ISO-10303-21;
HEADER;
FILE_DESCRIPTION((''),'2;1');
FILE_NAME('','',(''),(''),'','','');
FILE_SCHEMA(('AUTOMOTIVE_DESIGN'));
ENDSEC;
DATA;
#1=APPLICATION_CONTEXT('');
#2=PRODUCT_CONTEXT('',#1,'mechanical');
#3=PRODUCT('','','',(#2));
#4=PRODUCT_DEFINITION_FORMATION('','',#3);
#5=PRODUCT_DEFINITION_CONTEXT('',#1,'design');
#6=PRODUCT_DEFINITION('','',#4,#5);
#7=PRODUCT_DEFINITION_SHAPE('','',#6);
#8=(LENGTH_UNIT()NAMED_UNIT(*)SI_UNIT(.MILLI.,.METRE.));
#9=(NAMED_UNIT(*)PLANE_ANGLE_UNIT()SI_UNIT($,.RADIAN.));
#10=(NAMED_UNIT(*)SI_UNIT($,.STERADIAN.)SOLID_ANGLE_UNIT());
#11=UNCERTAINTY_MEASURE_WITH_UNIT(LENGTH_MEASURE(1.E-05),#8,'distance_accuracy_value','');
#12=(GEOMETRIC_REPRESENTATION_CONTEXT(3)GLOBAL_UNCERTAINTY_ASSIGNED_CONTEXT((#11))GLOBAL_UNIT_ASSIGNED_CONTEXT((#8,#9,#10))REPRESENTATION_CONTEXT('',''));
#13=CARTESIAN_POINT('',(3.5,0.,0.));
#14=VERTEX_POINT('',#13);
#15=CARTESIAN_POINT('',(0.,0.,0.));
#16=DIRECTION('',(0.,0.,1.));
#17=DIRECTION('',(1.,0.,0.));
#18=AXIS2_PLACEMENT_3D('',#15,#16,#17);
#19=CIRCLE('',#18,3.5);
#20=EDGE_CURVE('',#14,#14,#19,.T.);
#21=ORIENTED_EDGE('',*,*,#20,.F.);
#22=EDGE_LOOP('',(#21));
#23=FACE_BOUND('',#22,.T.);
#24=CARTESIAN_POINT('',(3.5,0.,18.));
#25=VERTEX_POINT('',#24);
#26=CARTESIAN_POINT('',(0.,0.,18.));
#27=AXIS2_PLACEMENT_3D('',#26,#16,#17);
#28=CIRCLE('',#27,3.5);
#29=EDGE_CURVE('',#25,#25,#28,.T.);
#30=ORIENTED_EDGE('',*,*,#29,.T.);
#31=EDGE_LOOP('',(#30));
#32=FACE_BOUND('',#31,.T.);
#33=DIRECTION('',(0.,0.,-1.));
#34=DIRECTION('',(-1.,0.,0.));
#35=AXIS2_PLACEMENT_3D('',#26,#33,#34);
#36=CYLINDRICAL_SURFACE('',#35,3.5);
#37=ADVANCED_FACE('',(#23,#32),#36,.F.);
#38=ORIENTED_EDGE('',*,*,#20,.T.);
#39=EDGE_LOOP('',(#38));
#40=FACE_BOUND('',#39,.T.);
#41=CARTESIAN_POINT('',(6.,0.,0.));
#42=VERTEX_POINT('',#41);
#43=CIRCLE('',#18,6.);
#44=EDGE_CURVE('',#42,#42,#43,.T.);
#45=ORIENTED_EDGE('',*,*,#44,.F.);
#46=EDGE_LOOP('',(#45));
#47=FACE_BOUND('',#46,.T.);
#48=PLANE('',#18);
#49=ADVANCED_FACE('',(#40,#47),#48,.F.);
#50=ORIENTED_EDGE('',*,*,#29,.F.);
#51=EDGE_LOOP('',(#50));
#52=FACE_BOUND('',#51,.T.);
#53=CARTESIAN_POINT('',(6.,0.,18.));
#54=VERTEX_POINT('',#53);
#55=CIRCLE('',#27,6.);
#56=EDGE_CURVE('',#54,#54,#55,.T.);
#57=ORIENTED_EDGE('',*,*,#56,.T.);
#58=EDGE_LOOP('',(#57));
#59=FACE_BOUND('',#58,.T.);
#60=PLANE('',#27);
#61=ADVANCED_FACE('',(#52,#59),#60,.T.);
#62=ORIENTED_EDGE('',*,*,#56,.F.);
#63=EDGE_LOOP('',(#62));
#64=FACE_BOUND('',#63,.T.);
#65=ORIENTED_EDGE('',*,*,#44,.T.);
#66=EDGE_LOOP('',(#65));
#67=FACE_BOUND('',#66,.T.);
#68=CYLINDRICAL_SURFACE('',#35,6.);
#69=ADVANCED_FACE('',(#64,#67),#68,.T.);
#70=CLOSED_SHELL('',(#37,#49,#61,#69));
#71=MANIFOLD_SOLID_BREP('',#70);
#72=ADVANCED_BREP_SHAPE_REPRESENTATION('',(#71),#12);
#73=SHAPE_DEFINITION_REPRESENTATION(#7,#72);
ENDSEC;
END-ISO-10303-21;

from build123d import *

# Parameters (mm, degrees)
SKETCH_1_R      = 6
SKETCH_1_R_2    = 3.5
EXTRUDE_1_DEPTH = 18


with BuildPart() as part:
    # 草图1 → 凸台-拉伸1 (new body)
    with BuildSketch(Plane.XY):
        Circle(SKETCH_1_R)
        Circle(SKETCH_1_R_2, mode=Mode.SUBTRACT)
    extrude(amount=EXTRUDE_1_DEPTH)


solid = part.part
